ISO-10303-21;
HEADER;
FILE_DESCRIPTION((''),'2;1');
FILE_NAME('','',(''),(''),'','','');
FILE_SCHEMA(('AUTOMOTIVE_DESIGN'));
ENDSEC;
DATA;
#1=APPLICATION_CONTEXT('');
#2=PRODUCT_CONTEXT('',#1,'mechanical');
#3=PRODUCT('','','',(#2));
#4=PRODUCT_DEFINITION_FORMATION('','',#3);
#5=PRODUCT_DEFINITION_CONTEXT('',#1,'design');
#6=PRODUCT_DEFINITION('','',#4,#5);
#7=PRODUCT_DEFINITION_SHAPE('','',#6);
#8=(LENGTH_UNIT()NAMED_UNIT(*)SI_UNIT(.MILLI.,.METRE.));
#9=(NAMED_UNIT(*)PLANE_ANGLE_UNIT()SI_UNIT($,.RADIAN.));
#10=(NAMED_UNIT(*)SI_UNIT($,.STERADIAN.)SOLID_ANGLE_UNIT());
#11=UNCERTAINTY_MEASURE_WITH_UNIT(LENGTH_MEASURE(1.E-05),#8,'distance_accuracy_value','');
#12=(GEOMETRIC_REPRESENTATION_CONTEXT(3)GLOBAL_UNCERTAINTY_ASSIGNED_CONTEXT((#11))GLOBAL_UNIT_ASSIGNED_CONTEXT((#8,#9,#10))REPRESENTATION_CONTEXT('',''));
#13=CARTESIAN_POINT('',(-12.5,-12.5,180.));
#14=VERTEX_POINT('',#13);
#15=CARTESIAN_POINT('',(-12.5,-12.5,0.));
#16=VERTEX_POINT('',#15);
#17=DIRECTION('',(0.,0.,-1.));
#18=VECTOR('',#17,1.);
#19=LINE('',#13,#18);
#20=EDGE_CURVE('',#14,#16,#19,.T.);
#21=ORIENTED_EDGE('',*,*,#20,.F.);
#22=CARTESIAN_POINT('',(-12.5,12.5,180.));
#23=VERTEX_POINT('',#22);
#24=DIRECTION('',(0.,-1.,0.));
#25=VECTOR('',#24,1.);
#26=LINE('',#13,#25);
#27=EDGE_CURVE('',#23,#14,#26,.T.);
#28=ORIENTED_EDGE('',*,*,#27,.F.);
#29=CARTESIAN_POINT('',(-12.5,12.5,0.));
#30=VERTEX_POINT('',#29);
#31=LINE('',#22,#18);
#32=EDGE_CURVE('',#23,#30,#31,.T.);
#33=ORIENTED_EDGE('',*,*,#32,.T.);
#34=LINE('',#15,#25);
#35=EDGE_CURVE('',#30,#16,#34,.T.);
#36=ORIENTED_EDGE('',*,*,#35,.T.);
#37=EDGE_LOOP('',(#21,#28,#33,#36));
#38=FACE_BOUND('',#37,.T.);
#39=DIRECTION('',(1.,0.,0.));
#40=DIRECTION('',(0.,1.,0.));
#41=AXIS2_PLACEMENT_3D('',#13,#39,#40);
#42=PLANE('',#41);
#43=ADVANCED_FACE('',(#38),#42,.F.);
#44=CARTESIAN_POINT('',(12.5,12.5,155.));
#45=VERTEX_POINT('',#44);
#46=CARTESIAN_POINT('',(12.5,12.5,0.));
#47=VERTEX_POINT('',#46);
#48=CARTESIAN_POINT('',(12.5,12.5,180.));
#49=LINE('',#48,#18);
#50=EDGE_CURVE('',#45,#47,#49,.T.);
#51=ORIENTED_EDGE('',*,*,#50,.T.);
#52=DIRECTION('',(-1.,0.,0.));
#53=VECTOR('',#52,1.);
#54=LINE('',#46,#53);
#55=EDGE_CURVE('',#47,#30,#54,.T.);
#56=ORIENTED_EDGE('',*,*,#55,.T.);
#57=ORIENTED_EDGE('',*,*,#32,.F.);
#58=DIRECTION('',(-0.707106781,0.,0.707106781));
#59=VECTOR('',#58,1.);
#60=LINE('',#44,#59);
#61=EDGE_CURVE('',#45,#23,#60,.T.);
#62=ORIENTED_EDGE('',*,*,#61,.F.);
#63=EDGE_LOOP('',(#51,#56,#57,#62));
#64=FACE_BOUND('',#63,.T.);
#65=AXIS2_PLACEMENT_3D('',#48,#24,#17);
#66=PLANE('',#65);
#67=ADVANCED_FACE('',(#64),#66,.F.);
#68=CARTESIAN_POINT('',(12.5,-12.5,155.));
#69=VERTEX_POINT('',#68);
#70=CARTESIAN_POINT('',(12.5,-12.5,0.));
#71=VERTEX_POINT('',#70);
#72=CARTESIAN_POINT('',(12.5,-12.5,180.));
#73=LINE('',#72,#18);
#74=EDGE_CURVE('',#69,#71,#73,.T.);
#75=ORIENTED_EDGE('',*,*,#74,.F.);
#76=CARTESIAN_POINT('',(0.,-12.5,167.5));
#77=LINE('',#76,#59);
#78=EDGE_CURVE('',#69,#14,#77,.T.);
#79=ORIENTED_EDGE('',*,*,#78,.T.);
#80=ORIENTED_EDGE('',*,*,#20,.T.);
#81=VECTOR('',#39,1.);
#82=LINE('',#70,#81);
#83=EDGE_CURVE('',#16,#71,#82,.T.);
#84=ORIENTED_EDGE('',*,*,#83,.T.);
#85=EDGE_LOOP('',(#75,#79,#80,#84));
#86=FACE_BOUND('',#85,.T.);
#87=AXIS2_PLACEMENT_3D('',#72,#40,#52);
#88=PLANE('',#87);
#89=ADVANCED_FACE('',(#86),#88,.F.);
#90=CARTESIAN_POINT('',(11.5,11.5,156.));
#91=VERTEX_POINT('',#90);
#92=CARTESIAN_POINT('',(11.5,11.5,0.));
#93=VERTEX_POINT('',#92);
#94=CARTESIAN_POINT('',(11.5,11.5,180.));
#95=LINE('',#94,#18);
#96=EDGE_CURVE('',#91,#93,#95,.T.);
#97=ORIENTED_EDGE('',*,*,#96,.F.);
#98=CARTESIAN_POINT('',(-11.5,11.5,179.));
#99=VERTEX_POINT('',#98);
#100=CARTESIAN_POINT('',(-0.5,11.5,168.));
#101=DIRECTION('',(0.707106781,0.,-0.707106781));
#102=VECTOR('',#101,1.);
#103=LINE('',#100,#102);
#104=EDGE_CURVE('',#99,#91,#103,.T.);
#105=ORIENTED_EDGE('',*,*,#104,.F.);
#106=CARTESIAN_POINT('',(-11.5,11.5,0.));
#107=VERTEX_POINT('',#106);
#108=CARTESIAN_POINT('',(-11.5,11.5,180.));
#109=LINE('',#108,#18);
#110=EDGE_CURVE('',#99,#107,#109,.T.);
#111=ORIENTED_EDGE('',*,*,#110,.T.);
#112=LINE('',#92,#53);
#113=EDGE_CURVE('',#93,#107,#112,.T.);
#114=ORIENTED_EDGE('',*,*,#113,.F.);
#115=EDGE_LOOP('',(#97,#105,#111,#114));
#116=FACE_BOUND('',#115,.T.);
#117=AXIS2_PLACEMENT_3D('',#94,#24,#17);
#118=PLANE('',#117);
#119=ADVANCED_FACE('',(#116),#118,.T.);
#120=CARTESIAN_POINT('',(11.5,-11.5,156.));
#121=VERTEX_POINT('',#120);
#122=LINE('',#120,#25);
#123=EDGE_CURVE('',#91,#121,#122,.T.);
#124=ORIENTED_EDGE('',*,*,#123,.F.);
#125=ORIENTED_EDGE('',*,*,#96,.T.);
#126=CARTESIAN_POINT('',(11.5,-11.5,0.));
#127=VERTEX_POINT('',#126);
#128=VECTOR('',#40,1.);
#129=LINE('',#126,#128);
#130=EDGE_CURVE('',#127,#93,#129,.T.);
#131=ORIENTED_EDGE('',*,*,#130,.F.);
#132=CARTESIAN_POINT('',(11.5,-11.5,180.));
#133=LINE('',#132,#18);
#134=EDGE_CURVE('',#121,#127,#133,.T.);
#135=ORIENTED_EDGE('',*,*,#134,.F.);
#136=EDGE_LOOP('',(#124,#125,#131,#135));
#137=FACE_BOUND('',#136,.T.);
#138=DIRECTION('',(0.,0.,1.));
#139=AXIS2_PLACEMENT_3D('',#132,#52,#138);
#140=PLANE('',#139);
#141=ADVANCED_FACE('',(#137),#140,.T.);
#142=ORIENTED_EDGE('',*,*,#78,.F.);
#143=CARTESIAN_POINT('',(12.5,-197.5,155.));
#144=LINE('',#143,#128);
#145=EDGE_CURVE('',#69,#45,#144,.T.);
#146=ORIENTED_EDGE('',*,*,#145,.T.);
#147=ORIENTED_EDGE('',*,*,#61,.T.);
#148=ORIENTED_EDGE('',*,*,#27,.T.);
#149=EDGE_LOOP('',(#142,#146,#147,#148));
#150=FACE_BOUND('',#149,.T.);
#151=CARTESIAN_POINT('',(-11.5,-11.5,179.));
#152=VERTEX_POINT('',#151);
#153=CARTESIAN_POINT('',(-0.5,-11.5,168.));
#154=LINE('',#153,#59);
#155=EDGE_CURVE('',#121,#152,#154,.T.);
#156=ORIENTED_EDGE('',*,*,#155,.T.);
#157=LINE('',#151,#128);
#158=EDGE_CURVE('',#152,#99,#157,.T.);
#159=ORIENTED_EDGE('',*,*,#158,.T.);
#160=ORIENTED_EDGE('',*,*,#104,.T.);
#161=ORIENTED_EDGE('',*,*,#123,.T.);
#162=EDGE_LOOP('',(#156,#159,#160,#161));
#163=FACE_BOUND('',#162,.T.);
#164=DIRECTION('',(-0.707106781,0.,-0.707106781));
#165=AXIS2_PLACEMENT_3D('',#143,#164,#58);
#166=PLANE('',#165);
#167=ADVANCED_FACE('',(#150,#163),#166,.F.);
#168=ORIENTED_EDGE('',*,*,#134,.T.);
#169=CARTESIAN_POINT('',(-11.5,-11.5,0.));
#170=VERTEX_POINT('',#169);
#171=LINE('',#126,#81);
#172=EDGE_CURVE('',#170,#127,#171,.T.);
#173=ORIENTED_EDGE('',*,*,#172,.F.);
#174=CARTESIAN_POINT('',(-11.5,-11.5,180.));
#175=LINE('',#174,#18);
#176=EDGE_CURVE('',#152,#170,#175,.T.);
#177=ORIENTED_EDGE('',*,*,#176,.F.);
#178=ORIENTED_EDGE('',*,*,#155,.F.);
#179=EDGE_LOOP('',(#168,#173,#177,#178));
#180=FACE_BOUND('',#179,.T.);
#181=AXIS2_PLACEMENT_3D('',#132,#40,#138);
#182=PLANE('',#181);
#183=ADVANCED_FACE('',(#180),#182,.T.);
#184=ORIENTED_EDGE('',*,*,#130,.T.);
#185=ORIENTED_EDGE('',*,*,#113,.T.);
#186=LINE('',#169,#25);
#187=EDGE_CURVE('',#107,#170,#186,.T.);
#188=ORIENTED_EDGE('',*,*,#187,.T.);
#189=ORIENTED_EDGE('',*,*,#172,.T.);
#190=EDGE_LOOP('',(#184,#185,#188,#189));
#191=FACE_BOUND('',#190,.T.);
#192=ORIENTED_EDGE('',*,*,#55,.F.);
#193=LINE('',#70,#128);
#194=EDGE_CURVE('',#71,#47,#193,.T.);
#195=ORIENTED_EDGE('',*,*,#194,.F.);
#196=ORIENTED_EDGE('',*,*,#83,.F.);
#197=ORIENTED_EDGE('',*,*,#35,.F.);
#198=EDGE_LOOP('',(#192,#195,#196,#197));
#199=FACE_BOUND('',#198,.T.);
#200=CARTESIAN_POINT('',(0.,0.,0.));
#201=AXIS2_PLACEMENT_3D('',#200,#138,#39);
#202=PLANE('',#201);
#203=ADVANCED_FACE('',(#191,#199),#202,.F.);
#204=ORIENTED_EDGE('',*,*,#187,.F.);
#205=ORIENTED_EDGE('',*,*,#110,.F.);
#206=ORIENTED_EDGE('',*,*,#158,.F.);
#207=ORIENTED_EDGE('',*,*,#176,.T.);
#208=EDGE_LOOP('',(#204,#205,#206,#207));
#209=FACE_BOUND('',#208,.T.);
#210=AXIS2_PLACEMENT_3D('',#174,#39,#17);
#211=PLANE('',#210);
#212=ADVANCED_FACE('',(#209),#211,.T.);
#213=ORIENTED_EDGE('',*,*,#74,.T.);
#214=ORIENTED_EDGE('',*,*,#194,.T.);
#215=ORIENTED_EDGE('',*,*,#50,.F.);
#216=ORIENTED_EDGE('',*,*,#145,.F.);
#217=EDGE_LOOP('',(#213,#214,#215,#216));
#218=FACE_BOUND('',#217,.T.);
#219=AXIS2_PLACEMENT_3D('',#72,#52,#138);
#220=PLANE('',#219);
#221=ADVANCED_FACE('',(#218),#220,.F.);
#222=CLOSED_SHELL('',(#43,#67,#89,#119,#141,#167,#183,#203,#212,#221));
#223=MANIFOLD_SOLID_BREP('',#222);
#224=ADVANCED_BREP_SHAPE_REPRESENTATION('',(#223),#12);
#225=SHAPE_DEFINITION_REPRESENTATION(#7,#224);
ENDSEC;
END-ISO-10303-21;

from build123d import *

# Parameters (mm, degrees)
SKETCH2_W           = 25
SKETCH2_H           = 25
SKETCH2_W_2         = 23
SKETCH2_H_2         = 23
BOSS_EXTRUDE1_DEPTH = 180
CUT_EXTRUDE1_DEPTH  = 210


with BuildPart() as part:
    # Sketch2 → Boss-Extrude1 (new body)
    with BuildSketch(Plane.XY):
        Rectangle(SKETCH2_W, SKETCH2_H)
        Rectangle(SKETCH2_W_2, SKETCH2_H_2, mode=Mode.SUBTRACT)
    extrude(amount=BOSS_EXTRUDE1_DEPTH)

    # Sketch3 → Cut-Extrude1 (cut)
    with BuildSketch(Plane(origin=(0, 12.5, 0), x_dir=(1, 0, 0), z_dir=(0, 1, 0))):
        Polygon((12.5, -180), (12.5, -155), (-12.5, -180), align=None)
    extrude(amount=-CUT_EXTRUDE1_DEPTH, mode=Mode.SUBTRACT)


solid = part.part
